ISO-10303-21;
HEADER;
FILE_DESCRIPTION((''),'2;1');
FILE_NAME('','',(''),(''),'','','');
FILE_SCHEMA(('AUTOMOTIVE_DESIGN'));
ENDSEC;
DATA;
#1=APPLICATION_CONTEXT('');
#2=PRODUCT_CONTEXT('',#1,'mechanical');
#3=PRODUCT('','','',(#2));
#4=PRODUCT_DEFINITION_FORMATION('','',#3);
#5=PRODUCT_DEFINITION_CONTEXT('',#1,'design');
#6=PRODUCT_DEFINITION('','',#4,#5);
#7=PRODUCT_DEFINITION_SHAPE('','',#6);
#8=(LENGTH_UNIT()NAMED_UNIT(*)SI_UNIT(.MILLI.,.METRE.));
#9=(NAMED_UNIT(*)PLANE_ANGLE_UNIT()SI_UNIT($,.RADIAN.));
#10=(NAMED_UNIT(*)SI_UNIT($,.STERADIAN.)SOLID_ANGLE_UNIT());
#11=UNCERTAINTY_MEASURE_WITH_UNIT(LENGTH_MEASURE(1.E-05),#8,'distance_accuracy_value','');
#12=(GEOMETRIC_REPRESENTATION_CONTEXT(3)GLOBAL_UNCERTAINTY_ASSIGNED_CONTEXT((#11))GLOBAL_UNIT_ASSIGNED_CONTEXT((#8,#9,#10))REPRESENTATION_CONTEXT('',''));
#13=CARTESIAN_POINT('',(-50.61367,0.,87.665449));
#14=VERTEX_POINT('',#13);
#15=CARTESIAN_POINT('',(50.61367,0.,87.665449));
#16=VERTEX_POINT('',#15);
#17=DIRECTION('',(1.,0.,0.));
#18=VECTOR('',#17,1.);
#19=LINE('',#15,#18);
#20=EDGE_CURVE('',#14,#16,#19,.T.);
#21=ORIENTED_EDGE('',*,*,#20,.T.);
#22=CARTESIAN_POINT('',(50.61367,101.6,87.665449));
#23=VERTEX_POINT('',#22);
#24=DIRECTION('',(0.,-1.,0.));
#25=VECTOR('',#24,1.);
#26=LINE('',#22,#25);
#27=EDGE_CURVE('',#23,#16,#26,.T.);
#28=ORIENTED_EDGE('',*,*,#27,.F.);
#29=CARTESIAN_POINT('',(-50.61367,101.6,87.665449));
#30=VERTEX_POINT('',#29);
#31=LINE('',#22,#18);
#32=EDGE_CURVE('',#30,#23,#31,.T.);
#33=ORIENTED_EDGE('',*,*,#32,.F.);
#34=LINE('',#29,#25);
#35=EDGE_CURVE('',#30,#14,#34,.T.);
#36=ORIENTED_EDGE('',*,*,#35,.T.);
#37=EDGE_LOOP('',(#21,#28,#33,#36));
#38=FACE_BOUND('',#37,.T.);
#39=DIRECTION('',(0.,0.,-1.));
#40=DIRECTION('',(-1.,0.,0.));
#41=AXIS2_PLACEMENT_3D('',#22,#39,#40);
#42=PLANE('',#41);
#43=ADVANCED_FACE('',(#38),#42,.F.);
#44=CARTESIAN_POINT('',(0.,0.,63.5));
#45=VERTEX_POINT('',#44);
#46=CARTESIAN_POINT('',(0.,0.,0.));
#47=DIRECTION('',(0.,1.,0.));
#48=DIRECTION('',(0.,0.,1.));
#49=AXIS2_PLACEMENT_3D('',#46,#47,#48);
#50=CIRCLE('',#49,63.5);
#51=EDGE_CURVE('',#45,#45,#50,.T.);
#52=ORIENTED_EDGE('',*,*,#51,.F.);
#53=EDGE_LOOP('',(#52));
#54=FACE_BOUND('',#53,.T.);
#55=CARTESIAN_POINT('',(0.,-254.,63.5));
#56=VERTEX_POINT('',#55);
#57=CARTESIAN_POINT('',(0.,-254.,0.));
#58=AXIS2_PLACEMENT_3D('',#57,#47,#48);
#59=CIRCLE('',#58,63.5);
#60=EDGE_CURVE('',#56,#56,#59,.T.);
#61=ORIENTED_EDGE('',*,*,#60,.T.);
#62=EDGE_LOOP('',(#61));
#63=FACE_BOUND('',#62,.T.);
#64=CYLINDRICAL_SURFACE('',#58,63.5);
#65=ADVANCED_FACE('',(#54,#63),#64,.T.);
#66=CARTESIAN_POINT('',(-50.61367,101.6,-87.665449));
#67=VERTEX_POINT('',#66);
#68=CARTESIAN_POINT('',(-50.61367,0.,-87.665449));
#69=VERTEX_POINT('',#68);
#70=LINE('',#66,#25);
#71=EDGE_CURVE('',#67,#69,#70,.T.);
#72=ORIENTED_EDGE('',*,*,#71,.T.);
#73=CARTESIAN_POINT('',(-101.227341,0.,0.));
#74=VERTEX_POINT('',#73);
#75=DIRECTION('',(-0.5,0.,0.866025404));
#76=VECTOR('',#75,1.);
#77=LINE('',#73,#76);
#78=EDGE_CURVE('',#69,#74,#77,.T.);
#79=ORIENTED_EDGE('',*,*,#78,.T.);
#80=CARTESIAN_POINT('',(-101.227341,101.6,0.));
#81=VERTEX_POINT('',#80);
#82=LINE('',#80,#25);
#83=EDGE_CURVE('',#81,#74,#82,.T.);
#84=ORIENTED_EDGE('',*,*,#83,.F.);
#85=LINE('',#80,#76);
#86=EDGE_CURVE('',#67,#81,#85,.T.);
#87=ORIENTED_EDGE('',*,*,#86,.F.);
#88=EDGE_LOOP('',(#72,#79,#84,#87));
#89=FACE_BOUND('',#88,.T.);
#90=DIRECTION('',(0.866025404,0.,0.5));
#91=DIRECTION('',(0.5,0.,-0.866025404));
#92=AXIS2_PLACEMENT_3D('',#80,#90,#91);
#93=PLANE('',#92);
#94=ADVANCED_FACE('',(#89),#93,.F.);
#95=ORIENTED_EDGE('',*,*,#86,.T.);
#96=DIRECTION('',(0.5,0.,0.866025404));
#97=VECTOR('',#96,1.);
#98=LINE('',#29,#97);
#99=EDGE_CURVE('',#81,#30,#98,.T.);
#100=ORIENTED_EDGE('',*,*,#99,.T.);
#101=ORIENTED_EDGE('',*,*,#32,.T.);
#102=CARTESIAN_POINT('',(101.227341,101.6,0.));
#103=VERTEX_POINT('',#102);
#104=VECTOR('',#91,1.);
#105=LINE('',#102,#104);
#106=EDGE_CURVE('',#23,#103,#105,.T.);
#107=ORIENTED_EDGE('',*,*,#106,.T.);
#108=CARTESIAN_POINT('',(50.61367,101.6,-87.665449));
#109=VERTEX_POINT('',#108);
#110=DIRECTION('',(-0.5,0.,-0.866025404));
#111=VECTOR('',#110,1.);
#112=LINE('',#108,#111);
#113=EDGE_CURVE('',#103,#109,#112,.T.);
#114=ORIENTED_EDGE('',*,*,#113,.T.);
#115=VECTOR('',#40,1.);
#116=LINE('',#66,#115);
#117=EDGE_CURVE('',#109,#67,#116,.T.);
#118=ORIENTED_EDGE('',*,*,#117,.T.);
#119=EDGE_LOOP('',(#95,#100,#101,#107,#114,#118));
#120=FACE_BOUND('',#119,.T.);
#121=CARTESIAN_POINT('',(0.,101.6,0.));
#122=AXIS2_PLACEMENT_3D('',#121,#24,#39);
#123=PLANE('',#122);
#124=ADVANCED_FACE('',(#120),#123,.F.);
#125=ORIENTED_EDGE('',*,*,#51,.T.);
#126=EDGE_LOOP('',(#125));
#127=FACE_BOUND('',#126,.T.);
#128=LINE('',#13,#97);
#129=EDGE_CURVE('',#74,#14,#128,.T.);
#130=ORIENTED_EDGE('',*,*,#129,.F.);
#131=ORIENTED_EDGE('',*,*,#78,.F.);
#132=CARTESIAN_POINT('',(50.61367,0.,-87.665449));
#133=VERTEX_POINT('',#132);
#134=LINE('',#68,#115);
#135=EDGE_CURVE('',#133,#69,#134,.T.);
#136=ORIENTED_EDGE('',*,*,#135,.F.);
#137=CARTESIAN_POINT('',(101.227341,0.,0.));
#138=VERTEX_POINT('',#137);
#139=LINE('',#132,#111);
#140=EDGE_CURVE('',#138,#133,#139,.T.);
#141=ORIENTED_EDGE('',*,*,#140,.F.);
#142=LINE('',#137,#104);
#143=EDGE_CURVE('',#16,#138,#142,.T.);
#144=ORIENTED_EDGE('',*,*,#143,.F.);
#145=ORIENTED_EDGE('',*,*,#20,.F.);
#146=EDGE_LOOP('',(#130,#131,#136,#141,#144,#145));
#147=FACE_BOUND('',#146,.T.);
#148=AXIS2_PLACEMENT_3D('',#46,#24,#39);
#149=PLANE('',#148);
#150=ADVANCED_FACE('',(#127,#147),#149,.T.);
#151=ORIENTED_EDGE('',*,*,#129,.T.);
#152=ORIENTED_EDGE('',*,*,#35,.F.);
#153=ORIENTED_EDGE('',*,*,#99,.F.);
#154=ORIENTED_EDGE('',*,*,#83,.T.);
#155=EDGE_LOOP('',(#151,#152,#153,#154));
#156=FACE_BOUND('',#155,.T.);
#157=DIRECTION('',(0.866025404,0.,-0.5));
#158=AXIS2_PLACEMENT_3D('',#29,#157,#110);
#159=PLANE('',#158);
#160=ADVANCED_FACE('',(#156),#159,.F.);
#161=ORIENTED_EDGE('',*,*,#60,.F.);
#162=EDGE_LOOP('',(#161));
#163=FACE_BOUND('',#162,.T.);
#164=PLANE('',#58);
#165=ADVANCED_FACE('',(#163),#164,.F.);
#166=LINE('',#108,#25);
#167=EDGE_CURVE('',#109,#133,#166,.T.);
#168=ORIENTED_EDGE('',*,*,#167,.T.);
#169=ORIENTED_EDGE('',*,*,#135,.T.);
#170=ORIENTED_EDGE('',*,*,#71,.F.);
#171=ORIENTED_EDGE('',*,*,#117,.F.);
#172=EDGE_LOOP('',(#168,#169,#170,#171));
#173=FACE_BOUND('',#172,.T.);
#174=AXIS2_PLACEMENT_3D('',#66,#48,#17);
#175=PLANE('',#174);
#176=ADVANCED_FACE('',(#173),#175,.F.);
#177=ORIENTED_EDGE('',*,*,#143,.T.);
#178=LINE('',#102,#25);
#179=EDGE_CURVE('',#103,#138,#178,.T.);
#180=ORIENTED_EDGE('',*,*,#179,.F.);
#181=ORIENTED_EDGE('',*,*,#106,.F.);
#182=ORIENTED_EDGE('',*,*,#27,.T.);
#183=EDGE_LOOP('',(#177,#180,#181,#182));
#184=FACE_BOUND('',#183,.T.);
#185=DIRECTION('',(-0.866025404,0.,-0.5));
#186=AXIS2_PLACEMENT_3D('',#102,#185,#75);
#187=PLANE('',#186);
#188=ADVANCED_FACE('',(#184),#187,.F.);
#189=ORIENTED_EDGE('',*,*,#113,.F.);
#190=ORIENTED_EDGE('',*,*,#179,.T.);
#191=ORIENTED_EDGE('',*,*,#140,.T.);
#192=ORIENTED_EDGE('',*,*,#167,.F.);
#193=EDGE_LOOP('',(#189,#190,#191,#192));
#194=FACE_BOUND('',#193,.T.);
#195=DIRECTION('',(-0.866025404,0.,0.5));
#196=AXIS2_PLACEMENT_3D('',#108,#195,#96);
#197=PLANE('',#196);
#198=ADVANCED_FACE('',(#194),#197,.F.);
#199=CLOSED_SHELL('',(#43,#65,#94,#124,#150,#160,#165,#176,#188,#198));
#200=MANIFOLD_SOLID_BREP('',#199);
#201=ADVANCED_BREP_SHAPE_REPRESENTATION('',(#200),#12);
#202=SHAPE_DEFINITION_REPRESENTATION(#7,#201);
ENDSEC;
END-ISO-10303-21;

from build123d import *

# Parameters (mm, degrees)
SKETCH1_R           = 63.5
BOSS_EXTRUDE1_DEPTH = 254
BOSS_EXTRUDE2_DEPTH = 101.6


with BuildPart() as part:
    # Sketch1 → Boss-Extrude1 (new body)
    with BuildSketch(Plane(origin=(0, 0, 0), x_dir=(1, 0, 0), z_dir=(0, 1, 0))):
        Circle(SKETCH1_R)
    extrude(amount=-BOSS_EXTRUDE1_DEPTH)

    # Sketch2 → Boss-Extrude2 (add)
    with BuildSketch(Plane(origin=(0, 0, 0), x_dir=(1, 0, 0), z_dir=(0, 1, 0))):
        Polygon((-50.613670356, 87.665448614), (50.613670356, 87.665448614), (101.227340712, 0), (50.613670356, -87.665448614), (-50.613670356, -87.665448614), (-101.227340712, 0), align=None)
    extrude(amount=BOSS_EXTRUDE2_DEPTH)


solid = part.part
